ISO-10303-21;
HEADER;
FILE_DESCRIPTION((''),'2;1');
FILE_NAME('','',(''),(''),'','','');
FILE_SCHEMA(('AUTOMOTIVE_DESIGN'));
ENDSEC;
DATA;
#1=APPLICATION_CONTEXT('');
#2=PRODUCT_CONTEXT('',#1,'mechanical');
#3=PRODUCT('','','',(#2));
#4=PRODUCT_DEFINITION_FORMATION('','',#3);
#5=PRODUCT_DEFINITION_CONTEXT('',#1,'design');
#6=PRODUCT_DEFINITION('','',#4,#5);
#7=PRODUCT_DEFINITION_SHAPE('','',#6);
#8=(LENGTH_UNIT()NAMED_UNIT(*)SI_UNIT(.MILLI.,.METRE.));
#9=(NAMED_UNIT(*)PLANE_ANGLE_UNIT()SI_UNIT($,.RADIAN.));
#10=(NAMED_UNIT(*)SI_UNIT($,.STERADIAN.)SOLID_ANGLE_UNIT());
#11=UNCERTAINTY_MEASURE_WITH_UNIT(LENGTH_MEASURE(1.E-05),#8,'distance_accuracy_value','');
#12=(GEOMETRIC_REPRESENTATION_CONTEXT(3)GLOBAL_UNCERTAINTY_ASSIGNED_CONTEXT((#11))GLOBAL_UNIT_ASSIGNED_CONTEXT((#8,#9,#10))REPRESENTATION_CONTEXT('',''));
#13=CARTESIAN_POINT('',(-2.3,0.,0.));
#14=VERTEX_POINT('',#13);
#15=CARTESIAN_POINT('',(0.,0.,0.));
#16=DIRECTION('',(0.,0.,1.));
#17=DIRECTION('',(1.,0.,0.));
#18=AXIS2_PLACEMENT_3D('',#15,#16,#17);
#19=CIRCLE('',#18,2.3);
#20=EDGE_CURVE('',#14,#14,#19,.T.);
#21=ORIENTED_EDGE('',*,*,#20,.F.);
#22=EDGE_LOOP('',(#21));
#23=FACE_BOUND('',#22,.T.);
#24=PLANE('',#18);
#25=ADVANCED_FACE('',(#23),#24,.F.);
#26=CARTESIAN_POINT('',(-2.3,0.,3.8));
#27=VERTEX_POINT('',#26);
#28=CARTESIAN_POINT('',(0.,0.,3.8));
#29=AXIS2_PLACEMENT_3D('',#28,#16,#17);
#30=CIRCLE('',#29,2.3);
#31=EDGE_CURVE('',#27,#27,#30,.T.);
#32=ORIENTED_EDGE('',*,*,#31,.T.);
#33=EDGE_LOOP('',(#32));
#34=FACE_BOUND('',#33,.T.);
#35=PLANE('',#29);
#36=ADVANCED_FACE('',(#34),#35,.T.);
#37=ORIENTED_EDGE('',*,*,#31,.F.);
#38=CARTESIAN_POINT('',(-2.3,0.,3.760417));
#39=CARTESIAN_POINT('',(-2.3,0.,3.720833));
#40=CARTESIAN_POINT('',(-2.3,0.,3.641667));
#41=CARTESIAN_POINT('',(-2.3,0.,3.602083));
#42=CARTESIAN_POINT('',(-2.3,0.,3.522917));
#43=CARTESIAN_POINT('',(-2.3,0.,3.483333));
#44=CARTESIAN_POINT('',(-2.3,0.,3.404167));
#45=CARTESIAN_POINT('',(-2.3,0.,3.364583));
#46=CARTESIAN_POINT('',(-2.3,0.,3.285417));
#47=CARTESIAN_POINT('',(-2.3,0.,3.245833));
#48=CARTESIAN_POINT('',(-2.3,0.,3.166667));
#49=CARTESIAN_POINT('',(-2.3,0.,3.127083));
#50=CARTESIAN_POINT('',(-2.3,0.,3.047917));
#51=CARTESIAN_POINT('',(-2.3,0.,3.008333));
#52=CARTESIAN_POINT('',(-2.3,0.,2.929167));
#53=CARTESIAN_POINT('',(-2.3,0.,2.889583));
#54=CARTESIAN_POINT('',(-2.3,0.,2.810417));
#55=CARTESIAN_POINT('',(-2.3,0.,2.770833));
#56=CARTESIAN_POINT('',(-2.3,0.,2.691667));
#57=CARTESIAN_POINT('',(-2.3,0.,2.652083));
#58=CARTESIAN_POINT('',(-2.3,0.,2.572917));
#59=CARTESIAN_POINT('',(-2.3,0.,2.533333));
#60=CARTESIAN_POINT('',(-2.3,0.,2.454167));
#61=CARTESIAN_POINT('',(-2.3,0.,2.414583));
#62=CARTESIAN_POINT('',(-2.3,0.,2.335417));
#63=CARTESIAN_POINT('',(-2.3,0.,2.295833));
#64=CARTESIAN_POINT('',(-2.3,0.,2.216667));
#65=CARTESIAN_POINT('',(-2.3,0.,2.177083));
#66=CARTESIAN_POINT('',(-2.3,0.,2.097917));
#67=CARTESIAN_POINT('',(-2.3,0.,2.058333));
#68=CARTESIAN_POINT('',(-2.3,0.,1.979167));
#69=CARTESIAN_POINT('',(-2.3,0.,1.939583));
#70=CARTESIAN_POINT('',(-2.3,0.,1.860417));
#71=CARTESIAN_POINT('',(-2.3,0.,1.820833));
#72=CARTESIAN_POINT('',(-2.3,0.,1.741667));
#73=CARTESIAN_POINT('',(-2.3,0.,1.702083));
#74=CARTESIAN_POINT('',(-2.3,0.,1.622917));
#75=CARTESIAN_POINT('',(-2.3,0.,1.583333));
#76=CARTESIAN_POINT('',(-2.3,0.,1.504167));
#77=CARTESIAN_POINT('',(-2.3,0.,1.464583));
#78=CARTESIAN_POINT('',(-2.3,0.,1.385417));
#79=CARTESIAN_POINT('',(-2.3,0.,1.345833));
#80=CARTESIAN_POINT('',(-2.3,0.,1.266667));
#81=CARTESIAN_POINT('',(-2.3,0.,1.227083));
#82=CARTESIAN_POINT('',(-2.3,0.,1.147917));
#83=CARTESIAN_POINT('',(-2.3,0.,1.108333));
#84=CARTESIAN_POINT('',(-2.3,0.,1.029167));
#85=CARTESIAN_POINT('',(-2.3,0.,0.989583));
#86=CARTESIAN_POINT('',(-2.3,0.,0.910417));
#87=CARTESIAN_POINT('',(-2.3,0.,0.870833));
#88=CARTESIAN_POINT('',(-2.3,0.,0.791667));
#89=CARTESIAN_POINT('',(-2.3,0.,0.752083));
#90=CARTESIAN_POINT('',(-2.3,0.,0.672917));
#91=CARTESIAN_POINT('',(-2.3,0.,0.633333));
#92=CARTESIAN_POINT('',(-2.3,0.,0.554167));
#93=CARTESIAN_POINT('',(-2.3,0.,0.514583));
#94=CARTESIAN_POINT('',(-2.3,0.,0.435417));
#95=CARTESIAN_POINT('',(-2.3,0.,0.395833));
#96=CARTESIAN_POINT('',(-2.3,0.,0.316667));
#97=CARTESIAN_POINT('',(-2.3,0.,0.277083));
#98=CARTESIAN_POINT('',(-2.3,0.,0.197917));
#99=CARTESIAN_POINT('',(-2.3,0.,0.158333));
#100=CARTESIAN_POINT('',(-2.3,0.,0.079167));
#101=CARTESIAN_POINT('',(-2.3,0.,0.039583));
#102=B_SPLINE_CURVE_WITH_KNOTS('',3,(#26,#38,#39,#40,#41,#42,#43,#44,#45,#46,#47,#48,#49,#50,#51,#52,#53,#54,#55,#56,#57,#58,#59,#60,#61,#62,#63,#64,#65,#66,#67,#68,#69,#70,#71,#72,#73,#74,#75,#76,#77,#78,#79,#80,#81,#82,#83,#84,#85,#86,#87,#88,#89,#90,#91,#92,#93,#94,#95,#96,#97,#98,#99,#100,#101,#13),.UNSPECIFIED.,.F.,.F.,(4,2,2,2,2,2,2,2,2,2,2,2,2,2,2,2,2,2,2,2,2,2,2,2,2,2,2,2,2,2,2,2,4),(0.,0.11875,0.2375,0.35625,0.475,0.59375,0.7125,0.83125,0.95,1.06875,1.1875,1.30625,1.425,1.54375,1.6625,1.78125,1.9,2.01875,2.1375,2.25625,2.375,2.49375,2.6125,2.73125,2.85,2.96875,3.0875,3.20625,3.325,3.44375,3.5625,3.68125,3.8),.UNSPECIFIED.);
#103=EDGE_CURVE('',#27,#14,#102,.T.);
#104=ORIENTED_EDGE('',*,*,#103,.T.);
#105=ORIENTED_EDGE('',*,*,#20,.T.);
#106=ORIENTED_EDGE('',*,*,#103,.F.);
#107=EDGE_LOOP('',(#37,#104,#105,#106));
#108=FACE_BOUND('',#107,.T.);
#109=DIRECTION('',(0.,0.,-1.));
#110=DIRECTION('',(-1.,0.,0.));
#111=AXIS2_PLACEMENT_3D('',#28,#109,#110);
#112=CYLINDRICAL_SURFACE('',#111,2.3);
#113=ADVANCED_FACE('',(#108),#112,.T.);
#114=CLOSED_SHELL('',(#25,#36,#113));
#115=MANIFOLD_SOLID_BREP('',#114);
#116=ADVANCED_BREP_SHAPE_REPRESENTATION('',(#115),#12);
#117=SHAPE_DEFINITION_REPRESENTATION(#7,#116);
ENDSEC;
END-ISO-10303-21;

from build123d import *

# Parameters (mm, degrees)
SKETCH_2_R      = 2.3
EXTRUDE_1_DEPTH = 3.8


with BuildPart() as part:
    # Эскиз2 → Бобышка-Вытянуть1 (new body)
    with BuildSketch(Plane.XY):
        with Locations(Location((0, 0, 0), (0, 0, 180))):
            Circle(SKETCH_2_R)
    extrude(amount=EXTRUDE_1_DEPTH)


solid = part.part
